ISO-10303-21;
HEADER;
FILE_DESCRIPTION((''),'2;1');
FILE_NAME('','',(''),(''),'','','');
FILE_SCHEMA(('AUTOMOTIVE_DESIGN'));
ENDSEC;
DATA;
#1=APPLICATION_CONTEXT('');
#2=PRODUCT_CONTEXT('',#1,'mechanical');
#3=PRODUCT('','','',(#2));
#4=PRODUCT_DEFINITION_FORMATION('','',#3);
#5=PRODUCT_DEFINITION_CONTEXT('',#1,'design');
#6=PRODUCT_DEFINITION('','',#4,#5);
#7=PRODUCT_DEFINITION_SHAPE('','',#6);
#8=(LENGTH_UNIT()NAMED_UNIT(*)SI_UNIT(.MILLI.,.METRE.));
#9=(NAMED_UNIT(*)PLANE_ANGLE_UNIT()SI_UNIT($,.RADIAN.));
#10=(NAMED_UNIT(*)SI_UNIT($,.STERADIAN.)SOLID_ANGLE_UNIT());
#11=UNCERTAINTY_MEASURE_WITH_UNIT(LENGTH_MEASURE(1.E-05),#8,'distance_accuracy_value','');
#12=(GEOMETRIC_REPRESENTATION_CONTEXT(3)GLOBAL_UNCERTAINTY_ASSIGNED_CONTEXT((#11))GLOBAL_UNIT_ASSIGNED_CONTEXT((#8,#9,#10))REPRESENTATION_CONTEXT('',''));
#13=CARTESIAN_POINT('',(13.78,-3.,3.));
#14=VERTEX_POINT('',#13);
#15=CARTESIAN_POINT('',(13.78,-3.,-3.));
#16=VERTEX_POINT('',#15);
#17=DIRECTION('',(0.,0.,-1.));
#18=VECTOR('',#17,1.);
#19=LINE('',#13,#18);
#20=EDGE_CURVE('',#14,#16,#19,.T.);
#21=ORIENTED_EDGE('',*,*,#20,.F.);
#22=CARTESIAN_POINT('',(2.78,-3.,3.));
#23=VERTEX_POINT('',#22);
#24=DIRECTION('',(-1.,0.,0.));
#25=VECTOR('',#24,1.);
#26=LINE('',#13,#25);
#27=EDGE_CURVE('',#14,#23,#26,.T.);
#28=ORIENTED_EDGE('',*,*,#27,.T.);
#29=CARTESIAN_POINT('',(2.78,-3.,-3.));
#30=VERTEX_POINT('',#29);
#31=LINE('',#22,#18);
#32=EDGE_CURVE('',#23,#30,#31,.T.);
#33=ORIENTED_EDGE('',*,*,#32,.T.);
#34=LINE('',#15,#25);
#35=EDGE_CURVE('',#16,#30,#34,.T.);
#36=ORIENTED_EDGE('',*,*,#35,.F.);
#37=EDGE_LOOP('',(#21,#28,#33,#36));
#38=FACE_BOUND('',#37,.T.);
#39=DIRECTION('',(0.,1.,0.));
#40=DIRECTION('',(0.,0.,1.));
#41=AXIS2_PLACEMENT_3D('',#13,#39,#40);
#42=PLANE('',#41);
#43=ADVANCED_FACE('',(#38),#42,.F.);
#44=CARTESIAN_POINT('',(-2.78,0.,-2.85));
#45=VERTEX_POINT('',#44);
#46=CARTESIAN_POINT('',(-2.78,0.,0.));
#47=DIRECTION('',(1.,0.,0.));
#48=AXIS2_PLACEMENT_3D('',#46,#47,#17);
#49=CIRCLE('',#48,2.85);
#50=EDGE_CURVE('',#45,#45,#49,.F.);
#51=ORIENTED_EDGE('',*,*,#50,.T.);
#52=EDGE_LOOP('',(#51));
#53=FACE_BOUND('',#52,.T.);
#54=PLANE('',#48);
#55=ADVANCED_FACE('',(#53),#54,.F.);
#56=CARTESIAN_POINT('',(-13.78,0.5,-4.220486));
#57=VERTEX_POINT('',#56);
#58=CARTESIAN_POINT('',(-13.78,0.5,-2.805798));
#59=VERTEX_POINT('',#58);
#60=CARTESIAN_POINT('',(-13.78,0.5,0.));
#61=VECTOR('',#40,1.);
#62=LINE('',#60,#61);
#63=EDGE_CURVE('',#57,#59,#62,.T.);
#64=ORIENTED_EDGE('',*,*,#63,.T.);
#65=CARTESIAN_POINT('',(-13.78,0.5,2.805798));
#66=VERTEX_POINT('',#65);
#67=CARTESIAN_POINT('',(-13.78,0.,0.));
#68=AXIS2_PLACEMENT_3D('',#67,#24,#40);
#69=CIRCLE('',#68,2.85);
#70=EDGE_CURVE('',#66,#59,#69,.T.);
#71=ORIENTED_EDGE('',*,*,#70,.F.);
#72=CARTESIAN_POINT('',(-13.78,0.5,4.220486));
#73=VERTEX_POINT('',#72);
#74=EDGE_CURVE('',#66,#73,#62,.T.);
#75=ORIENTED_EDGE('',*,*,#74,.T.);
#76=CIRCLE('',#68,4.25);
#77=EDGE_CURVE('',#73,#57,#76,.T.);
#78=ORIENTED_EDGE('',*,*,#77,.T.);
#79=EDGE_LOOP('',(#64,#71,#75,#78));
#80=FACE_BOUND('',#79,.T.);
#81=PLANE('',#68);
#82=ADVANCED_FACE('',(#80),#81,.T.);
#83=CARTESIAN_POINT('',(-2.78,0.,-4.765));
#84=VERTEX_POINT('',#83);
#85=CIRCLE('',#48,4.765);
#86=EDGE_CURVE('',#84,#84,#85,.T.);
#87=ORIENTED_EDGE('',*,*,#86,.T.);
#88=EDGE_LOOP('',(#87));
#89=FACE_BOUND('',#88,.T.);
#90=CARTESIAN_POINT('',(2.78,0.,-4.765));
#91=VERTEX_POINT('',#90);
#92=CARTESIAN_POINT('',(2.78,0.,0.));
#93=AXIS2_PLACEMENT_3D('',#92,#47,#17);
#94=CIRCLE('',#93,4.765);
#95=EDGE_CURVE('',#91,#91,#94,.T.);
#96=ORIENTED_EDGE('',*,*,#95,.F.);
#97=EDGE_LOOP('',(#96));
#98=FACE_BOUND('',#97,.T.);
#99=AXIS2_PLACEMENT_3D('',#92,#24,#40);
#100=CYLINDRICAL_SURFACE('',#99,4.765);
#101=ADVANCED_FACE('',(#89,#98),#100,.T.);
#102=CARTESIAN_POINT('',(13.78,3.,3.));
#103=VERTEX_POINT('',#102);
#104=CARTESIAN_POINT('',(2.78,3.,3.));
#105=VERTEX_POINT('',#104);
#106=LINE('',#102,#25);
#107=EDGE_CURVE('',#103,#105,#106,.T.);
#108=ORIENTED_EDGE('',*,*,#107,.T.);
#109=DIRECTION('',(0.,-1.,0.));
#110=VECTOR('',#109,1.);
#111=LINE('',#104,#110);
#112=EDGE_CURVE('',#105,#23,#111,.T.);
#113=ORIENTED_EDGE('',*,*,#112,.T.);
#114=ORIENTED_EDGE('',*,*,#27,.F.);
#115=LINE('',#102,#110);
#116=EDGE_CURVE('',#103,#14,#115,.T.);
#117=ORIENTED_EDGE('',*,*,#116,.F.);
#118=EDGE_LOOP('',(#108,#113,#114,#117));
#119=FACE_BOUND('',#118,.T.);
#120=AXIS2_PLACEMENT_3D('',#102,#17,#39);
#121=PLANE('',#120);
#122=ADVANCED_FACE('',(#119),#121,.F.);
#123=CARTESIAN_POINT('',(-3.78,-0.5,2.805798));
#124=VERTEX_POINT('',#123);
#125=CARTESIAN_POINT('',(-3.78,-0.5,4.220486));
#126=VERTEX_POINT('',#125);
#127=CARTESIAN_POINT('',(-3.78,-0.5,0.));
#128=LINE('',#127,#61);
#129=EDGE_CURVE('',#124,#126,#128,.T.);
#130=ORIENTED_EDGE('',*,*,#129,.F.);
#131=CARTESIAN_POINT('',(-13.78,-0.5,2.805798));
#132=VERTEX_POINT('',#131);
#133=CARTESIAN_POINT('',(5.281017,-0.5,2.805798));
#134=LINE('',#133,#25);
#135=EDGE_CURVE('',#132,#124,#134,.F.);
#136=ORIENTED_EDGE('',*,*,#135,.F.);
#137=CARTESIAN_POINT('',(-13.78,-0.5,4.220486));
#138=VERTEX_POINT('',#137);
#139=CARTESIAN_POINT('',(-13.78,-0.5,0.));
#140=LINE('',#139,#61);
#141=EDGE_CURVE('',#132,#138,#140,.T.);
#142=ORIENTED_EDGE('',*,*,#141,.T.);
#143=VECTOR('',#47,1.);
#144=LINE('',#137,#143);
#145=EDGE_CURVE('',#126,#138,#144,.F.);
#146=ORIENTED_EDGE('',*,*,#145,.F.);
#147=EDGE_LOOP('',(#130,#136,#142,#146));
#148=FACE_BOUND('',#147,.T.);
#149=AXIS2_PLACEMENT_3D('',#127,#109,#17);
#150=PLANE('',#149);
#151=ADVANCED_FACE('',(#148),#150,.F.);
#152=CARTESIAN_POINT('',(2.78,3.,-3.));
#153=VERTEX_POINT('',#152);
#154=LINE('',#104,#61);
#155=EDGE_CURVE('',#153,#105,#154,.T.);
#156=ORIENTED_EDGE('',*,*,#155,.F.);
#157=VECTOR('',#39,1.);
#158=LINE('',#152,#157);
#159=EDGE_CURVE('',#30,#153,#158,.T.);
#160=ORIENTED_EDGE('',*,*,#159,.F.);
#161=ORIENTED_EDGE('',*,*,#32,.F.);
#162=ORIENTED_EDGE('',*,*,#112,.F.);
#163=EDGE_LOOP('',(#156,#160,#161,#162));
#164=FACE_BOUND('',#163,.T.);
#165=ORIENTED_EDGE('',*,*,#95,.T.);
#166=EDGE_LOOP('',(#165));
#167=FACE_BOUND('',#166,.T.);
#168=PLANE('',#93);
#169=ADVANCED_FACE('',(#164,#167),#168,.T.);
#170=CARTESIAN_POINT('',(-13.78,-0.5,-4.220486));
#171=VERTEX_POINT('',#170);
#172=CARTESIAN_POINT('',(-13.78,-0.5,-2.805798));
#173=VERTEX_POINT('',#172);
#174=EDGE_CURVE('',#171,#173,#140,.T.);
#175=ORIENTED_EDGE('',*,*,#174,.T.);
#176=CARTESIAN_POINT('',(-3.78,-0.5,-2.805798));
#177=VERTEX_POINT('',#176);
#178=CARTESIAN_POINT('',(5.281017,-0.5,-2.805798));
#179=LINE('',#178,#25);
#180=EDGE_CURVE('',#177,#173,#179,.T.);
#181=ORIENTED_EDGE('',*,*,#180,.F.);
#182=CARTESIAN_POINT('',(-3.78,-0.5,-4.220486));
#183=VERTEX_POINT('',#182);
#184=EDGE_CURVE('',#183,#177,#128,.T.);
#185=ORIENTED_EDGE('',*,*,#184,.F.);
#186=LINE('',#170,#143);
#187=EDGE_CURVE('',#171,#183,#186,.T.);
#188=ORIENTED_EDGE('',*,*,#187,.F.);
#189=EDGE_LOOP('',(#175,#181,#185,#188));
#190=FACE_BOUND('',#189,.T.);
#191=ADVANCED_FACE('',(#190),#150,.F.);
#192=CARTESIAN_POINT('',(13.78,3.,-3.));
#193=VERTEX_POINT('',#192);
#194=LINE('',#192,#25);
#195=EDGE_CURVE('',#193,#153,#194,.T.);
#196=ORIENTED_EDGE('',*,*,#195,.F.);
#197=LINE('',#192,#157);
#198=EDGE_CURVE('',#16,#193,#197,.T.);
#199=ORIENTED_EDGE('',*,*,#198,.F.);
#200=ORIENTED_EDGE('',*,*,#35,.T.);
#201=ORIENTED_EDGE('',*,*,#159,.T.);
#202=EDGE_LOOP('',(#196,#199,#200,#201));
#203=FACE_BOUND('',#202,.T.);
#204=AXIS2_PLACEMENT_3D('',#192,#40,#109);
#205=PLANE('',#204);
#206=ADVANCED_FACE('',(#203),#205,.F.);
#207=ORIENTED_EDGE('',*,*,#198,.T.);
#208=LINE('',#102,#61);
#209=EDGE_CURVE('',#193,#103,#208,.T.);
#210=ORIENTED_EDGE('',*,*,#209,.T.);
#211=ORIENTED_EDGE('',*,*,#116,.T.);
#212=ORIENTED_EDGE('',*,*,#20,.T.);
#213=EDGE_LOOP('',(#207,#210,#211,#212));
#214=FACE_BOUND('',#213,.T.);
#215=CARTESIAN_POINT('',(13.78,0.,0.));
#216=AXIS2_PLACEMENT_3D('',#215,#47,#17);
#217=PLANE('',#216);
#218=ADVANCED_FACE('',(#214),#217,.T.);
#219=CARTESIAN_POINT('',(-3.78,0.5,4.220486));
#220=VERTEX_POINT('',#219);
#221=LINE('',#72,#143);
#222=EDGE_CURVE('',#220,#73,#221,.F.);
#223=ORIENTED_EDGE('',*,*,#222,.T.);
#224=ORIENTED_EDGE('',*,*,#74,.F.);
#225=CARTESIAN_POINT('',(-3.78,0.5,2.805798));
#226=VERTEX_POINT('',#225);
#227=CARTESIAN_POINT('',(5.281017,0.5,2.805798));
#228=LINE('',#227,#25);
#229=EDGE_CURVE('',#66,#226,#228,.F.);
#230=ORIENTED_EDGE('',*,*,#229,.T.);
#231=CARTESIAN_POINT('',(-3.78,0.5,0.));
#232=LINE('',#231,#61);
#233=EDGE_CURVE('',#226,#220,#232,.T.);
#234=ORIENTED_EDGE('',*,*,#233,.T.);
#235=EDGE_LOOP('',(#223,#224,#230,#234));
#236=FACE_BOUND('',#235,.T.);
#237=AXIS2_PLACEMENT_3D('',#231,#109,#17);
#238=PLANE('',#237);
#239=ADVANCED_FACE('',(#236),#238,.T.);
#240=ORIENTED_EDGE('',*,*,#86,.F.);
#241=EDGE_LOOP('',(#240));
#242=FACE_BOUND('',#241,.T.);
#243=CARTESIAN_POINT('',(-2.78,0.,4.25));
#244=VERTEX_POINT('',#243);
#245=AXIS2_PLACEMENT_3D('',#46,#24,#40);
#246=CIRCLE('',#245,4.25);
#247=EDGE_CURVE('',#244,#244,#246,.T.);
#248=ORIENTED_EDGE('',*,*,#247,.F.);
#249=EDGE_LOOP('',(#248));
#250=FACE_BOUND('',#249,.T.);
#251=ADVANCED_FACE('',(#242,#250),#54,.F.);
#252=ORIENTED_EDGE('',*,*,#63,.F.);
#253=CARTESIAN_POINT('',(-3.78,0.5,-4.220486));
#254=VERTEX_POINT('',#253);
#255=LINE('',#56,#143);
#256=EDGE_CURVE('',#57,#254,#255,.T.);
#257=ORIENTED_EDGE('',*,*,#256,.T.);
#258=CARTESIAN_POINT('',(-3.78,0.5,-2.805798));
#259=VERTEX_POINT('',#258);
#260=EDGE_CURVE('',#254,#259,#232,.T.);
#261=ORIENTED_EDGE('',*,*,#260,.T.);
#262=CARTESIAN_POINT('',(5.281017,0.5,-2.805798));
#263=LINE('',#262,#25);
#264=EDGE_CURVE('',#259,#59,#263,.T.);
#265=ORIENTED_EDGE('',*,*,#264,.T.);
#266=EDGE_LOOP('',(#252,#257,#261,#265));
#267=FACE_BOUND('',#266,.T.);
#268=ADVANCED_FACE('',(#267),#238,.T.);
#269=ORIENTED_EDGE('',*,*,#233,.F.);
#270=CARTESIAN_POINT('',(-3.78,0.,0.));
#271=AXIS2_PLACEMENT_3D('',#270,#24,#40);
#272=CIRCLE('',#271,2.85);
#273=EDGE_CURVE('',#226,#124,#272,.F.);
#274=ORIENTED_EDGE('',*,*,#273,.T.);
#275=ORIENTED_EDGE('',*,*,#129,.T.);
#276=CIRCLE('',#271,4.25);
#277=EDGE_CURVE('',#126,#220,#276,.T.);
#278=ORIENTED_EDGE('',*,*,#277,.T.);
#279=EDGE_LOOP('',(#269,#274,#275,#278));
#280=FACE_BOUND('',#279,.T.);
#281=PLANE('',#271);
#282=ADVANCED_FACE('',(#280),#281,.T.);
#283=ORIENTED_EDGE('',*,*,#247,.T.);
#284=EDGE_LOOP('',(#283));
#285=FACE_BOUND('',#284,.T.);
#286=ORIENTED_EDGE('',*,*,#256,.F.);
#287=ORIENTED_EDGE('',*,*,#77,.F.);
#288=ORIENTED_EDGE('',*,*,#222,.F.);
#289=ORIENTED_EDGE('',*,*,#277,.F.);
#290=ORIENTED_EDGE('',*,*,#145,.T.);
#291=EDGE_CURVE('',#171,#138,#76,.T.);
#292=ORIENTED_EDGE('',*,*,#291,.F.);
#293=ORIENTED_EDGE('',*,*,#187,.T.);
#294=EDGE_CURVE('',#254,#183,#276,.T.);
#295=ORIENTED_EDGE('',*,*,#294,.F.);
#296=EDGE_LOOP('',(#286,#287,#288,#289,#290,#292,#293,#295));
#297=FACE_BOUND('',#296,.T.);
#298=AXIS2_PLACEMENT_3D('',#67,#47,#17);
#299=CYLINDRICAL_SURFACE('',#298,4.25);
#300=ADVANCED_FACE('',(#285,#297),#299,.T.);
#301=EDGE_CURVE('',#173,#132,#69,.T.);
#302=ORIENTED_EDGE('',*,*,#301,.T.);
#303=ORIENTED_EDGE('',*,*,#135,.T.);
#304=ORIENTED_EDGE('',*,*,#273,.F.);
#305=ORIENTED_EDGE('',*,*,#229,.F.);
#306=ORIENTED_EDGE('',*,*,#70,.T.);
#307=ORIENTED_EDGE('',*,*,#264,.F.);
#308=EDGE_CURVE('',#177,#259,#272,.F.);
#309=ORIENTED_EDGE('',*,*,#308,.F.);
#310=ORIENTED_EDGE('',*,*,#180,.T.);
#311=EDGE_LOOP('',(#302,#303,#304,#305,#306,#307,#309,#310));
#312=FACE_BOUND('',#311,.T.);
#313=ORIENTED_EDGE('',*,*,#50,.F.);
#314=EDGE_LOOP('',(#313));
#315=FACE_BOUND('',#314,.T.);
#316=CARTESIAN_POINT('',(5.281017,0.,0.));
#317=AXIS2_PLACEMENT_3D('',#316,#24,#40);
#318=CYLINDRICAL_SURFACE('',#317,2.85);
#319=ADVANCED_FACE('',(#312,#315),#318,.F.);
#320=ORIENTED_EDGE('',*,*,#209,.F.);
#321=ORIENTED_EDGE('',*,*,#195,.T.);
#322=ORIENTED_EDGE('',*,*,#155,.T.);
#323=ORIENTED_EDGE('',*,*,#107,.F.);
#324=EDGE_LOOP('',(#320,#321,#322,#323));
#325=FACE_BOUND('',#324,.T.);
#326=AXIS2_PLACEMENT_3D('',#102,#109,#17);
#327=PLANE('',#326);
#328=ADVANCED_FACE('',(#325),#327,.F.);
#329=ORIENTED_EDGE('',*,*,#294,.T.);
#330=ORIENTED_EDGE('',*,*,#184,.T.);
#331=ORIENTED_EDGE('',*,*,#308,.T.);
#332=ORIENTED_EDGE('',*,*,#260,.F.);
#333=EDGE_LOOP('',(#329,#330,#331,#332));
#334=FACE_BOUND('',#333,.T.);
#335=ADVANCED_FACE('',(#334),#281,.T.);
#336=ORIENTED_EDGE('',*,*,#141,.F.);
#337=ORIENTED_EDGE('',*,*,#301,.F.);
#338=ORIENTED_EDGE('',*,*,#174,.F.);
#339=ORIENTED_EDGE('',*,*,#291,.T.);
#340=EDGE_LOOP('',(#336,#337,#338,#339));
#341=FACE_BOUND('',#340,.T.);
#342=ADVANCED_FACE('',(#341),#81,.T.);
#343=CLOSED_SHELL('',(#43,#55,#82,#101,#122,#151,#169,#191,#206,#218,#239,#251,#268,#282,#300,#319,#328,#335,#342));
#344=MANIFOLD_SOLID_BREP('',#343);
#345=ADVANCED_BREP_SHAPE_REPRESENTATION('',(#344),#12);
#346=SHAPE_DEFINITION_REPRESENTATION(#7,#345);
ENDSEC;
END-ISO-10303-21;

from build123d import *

# Parameters (mm, degrees)
SKETCH1_R           = 4.765
BOSS_EXTRUDE1_DEPTH = 2.78
SKETCH2_R           = 4.25
BOSS_EXTRUDE2_DEPTH = 11
SKETCH3_W           = 6
SKETCH3_H           = 6
BOSS_EXTRUDE3_DEPTH = 11
CUT_EXTRUDE1_START  = 11
SKETCH4_R           = 2.85
CUT_EXTRUDE1_DEPTH  = 11
CUT_EXTRUDE2_START  = -10
CUT_EXTRUDE2_DEPTH  = 10


with BuildPart() as part:
    # Sketch1 → Boss-Extrude1 (new, symmetric)
    with BuildSketch(Plane(origin=(0, 0, 0), x_dir=(0, 0, -1), z_dir=(1, 0, 0))):
        Circle(SKETCH1_R)
    extrude(amount=BOSS_EXTRUDE1_DEPTH, both=True)

    # Sketch2 → Boss-Extrude2 (add)
    with BuildSketch(Plane.ZY.offset(2.78)):
        Circle(SKETCH2_R)
    extrude(amount=BOSS_EXTRUDE2_DEPTH)

    # Sketch3 → Boss-Extrude3 (add)
    with BuildSketch(Plane(origin=(2.78, 0, 0), x_dir=(0, 0, -1), z_dir=(1, 0, 0))):
        Rectangle(SKETCH3_W, SKETCH3_H)
    extrude(amount=BOSS_EXTRUDE3_DEPTH)

    # Sketch4 → Cut-Extrude1 (cut)
    with BuildSketch(Plane.ZY.offset(2.78).offset(CUT_EXTRUDE1_START)):
        Circle(SKETCH4_R)
    extrude(amount=-CUT_EXTRUDE1_DEPTH, mode=Mode.SUBTRACT)

    # Sketch5 → Cut-Extrude2 (cut)
    with BuildSketch(Plane.ZY.offset(13.78).offset(CUT_EXTRUDE2_START)):
        with BuildLine():
            ThreePointArc((-4.220485754, 0.5), (-4.25, 0), (-4.220485754, -0.5))
            Line((-4.220485754, -0.5), (-2.805797569, -0.5))
            ThreePointArc((-2.805797569, -0.5), (-2.85, 0), (-2.805797569, 0.5))
            Line((-2.805797569, 0.5), (-4.220485754, 0.5))
        make_face()
        with BuildLine():
            Line((2.805797569, -0.5), (4.220485754, -0.5))
            ThreePointArc((4.220485754, -0.5), (4.242615022, -0.250435167), (4.25, 0))
            ThreePointArc((4.25, 0), (4.242615022, 0.250435167), (4.220485754, 0.5))
            Line((4.220485754, 0.5), (2.805797569, 0.5))
            ThreePointArc((2.805797569, 0.5), (2.838927885, 0.250975026), (2.85, 0))
            ThreePointArc((2.85, 0), (2.838927885, -0.250975026), (2.805797569, -0.5))
        make_face()
        with BuildLine():
            ThreePointArc((-4.73869444, 0.5), (-4.765, 0), (-4.73869444, -0.5))
            Line((-4.73869444, -0.5), (-4.220485754, -0.5))
            ThreePointArc((-4.220485754, -0.5), (-4.25, 0), (-4.220485754, 0.5))
            Line((-4.220485754, 0.5), (-4.73869444, 0.5))
        make_face()
        with BuildLine():
            ThreePointArc((-2.805797569, 0.5), (-2.85, 0), (-2.805797569, -0.5))
            Line((-2.805797569, -0.5), (2.805797569, -0.5))
            ThreePointArc((2.805797569, -0.5), (2.838927885, -0.250975026), (2.85, 0))
            ThreePointArc((2.85, 0), (2.838927885, 0.250975026), (2.805797569, 0.5))
            Line((2.805797569, 0.5), (-2.805797569, 0.5))
        make_face()
        with BuildLine():
            ThreePointArc((4.25, 0), (4.242615022, -0.250435167), (4.220485754, -0.5))
            Line((4.220485754, -0.5), (4.73869444, -0.5))
            ThreePointArc((4.73869444, -0.5), (4.765, 0), (4.73869444, 0.5))
            Line((4.73869444, 0.5), (4.220485754, 0.5))
            ThreePointArc((4.220485754, 0.5), (4.242615022, 0.250435167), (4.25, 0))
        make_face()
    extrude(amount=CUT_EXTRUDE2_DEPTH, mode=Mode.SUBTRACT)


solid = part.part
